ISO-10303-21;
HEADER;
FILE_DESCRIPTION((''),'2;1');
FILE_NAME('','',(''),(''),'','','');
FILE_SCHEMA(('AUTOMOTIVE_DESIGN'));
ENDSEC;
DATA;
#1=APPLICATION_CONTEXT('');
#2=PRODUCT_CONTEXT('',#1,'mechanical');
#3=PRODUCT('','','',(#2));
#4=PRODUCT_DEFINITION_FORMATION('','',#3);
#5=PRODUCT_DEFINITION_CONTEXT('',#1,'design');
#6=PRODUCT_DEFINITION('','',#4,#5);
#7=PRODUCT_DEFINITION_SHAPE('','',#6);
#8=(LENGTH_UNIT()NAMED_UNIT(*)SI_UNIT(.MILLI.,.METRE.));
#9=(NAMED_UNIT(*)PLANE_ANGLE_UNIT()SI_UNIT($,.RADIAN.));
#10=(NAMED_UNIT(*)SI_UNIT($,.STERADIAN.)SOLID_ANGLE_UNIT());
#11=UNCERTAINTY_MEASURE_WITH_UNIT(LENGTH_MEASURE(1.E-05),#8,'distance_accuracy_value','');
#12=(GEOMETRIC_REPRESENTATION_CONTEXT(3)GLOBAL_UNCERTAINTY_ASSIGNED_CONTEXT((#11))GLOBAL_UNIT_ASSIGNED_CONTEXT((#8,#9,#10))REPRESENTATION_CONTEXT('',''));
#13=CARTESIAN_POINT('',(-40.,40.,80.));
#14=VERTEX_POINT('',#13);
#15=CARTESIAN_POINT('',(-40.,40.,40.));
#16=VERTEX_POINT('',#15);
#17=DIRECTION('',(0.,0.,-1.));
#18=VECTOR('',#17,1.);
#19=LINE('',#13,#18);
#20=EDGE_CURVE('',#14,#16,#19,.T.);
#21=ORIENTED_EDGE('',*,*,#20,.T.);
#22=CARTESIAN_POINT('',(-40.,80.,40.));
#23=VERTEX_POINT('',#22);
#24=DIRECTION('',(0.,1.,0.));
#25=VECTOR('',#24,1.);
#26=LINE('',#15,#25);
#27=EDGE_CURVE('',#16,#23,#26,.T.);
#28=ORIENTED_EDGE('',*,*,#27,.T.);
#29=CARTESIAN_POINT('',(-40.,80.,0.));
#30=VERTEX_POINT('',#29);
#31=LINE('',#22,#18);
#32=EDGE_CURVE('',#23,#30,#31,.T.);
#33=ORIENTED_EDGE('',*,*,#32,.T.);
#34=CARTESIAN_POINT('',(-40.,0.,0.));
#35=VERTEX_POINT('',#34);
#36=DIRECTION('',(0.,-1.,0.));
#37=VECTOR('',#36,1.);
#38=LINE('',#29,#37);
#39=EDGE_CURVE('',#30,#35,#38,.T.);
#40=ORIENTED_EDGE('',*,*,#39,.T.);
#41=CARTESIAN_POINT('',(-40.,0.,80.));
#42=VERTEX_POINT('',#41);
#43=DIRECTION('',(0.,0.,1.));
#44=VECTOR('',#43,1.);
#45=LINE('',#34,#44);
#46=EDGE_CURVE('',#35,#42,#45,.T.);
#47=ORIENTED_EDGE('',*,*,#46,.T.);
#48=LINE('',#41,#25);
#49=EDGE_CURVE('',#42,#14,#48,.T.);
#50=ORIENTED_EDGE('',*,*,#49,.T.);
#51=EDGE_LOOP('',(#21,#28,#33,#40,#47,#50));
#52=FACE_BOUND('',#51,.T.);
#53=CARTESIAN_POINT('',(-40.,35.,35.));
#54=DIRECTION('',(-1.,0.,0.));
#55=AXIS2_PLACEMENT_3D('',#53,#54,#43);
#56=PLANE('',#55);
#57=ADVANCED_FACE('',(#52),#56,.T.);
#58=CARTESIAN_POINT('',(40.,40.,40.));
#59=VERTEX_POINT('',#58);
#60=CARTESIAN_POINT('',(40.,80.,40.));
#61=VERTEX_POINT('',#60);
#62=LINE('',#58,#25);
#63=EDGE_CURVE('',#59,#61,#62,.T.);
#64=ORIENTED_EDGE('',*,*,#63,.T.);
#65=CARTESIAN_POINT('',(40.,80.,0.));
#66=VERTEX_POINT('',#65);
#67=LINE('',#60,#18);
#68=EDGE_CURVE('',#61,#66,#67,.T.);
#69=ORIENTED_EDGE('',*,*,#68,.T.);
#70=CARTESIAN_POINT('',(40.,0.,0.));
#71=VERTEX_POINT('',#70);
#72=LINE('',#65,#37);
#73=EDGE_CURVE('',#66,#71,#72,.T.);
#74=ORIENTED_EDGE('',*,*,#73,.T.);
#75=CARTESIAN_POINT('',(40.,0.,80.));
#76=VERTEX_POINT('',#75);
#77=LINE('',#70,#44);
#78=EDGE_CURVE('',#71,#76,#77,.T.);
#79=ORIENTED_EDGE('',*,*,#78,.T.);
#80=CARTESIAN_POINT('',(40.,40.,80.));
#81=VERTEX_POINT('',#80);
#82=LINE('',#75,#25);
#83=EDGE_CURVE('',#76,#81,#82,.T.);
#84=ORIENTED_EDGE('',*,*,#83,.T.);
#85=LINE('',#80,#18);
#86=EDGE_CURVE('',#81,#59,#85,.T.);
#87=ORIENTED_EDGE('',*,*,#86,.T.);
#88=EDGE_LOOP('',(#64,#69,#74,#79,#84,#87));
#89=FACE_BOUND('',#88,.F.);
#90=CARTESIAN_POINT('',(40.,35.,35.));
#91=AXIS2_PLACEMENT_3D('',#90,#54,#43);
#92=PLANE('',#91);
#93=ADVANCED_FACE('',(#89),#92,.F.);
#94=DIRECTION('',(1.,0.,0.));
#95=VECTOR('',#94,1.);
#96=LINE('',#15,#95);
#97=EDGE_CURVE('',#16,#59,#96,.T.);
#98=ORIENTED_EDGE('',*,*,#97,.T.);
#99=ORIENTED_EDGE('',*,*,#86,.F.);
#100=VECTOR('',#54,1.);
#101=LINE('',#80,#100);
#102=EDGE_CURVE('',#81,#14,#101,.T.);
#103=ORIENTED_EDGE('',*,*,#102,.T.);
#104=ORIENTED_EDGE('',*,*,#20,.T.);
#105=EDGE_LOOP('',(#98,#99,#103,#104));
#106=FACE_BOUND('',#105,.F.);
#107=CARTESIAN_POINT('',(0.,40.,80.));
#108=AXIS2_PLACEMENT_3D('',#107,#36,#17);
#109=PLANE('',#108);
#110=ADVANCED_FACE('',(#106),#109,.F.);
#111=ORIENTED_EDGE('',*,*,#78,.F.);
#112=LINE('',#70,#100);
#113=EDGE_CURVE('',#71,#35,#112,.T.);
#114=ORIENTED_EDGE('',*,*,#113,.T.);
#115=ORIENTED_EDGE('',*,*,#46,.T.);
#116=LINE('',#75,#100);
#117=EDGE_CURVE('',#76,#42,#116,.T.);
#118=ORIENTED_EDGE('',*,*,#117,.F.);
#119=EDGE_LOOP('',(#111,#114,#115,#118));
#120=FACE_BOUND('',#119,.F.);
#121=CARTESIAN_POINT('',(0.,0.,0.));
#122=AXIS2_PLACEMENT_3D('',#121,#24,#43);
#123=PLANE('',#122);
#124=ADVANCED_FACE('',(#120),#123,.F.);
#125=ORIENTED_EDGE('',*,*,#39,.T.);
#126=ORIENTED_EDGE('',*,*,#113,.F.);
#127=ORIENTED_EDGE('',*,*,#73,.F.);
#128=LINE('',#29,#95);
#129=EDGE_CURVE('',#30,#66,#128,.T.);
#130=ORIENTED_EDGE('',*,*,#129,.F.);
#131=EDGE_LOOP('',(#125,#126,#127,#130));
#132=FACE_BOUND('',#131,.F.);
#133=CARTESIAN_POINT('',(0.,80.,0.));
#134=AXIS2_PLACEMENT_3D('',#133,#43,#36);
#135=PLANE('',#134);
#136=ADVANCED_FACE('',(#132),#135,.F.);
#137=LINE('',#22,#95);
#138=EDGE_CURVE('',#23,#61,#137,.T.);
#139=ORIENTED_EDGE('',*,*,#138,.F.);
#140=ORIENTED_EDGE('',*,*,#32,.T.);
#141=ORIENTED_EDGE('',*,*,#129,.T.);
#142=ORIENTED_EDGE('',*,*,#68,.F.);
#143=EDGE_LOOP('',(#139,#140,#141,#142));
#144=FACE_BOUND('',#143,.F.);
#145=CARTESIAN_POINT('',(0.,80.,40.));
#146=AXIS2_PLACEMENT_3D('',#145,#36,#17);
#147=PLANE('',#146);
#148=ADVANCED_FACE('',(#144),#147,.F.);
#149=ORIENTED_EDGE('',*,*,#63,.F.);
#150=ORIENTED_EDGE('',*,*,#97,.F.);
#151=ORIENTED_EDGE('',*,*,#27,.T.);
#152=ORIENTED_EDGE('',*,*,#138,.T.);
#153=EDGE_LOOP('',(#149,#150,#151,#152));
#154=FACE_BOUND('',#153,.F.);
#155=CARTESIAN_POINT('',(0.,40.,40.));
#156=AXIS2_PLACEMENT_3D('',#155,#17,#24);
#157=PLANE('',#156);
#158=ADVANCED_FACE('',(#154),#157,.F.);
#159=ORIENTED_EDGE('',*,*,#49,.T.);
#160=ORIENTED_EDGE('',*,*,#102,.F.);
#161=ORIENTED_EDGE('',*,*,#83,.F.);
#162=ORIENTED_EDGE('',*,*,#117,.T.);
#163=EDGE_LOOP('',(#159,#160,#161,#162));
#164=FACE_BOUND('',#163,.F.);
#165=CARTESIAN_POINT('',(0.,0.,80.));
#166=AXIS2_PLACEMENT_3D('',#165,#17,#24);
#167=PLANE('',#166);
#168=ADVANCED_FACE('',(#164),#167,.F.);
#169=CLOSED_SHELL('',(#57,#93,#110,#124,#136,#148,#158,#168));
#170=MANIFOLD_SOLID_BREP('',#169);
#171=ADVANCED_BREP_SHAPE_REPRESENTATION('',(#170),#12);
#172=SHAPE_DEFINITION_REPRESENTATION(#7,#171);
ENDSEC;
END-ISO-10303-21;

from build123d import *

# Parameters (mm, degrees)
BOSS_EXTRUDE1_DEPTH = 40


with BuildPart() as part:
    # Sketch2 → Boss-Extrude1 (new body, symmetric)
    with BuildSketch(Plane(origin=(0, 0, 0), x_dir=(0, 0, -1), z_dir=(1, 0, 0))):
        Polygon((0, 80), (0, 0), (-80, 0), (-80, 40), (-40, 40), (-40, 80), align=None)
    extrude(amount=BOSS_EXTRUDE1_DEPTH, both=True)


solid = part.part
